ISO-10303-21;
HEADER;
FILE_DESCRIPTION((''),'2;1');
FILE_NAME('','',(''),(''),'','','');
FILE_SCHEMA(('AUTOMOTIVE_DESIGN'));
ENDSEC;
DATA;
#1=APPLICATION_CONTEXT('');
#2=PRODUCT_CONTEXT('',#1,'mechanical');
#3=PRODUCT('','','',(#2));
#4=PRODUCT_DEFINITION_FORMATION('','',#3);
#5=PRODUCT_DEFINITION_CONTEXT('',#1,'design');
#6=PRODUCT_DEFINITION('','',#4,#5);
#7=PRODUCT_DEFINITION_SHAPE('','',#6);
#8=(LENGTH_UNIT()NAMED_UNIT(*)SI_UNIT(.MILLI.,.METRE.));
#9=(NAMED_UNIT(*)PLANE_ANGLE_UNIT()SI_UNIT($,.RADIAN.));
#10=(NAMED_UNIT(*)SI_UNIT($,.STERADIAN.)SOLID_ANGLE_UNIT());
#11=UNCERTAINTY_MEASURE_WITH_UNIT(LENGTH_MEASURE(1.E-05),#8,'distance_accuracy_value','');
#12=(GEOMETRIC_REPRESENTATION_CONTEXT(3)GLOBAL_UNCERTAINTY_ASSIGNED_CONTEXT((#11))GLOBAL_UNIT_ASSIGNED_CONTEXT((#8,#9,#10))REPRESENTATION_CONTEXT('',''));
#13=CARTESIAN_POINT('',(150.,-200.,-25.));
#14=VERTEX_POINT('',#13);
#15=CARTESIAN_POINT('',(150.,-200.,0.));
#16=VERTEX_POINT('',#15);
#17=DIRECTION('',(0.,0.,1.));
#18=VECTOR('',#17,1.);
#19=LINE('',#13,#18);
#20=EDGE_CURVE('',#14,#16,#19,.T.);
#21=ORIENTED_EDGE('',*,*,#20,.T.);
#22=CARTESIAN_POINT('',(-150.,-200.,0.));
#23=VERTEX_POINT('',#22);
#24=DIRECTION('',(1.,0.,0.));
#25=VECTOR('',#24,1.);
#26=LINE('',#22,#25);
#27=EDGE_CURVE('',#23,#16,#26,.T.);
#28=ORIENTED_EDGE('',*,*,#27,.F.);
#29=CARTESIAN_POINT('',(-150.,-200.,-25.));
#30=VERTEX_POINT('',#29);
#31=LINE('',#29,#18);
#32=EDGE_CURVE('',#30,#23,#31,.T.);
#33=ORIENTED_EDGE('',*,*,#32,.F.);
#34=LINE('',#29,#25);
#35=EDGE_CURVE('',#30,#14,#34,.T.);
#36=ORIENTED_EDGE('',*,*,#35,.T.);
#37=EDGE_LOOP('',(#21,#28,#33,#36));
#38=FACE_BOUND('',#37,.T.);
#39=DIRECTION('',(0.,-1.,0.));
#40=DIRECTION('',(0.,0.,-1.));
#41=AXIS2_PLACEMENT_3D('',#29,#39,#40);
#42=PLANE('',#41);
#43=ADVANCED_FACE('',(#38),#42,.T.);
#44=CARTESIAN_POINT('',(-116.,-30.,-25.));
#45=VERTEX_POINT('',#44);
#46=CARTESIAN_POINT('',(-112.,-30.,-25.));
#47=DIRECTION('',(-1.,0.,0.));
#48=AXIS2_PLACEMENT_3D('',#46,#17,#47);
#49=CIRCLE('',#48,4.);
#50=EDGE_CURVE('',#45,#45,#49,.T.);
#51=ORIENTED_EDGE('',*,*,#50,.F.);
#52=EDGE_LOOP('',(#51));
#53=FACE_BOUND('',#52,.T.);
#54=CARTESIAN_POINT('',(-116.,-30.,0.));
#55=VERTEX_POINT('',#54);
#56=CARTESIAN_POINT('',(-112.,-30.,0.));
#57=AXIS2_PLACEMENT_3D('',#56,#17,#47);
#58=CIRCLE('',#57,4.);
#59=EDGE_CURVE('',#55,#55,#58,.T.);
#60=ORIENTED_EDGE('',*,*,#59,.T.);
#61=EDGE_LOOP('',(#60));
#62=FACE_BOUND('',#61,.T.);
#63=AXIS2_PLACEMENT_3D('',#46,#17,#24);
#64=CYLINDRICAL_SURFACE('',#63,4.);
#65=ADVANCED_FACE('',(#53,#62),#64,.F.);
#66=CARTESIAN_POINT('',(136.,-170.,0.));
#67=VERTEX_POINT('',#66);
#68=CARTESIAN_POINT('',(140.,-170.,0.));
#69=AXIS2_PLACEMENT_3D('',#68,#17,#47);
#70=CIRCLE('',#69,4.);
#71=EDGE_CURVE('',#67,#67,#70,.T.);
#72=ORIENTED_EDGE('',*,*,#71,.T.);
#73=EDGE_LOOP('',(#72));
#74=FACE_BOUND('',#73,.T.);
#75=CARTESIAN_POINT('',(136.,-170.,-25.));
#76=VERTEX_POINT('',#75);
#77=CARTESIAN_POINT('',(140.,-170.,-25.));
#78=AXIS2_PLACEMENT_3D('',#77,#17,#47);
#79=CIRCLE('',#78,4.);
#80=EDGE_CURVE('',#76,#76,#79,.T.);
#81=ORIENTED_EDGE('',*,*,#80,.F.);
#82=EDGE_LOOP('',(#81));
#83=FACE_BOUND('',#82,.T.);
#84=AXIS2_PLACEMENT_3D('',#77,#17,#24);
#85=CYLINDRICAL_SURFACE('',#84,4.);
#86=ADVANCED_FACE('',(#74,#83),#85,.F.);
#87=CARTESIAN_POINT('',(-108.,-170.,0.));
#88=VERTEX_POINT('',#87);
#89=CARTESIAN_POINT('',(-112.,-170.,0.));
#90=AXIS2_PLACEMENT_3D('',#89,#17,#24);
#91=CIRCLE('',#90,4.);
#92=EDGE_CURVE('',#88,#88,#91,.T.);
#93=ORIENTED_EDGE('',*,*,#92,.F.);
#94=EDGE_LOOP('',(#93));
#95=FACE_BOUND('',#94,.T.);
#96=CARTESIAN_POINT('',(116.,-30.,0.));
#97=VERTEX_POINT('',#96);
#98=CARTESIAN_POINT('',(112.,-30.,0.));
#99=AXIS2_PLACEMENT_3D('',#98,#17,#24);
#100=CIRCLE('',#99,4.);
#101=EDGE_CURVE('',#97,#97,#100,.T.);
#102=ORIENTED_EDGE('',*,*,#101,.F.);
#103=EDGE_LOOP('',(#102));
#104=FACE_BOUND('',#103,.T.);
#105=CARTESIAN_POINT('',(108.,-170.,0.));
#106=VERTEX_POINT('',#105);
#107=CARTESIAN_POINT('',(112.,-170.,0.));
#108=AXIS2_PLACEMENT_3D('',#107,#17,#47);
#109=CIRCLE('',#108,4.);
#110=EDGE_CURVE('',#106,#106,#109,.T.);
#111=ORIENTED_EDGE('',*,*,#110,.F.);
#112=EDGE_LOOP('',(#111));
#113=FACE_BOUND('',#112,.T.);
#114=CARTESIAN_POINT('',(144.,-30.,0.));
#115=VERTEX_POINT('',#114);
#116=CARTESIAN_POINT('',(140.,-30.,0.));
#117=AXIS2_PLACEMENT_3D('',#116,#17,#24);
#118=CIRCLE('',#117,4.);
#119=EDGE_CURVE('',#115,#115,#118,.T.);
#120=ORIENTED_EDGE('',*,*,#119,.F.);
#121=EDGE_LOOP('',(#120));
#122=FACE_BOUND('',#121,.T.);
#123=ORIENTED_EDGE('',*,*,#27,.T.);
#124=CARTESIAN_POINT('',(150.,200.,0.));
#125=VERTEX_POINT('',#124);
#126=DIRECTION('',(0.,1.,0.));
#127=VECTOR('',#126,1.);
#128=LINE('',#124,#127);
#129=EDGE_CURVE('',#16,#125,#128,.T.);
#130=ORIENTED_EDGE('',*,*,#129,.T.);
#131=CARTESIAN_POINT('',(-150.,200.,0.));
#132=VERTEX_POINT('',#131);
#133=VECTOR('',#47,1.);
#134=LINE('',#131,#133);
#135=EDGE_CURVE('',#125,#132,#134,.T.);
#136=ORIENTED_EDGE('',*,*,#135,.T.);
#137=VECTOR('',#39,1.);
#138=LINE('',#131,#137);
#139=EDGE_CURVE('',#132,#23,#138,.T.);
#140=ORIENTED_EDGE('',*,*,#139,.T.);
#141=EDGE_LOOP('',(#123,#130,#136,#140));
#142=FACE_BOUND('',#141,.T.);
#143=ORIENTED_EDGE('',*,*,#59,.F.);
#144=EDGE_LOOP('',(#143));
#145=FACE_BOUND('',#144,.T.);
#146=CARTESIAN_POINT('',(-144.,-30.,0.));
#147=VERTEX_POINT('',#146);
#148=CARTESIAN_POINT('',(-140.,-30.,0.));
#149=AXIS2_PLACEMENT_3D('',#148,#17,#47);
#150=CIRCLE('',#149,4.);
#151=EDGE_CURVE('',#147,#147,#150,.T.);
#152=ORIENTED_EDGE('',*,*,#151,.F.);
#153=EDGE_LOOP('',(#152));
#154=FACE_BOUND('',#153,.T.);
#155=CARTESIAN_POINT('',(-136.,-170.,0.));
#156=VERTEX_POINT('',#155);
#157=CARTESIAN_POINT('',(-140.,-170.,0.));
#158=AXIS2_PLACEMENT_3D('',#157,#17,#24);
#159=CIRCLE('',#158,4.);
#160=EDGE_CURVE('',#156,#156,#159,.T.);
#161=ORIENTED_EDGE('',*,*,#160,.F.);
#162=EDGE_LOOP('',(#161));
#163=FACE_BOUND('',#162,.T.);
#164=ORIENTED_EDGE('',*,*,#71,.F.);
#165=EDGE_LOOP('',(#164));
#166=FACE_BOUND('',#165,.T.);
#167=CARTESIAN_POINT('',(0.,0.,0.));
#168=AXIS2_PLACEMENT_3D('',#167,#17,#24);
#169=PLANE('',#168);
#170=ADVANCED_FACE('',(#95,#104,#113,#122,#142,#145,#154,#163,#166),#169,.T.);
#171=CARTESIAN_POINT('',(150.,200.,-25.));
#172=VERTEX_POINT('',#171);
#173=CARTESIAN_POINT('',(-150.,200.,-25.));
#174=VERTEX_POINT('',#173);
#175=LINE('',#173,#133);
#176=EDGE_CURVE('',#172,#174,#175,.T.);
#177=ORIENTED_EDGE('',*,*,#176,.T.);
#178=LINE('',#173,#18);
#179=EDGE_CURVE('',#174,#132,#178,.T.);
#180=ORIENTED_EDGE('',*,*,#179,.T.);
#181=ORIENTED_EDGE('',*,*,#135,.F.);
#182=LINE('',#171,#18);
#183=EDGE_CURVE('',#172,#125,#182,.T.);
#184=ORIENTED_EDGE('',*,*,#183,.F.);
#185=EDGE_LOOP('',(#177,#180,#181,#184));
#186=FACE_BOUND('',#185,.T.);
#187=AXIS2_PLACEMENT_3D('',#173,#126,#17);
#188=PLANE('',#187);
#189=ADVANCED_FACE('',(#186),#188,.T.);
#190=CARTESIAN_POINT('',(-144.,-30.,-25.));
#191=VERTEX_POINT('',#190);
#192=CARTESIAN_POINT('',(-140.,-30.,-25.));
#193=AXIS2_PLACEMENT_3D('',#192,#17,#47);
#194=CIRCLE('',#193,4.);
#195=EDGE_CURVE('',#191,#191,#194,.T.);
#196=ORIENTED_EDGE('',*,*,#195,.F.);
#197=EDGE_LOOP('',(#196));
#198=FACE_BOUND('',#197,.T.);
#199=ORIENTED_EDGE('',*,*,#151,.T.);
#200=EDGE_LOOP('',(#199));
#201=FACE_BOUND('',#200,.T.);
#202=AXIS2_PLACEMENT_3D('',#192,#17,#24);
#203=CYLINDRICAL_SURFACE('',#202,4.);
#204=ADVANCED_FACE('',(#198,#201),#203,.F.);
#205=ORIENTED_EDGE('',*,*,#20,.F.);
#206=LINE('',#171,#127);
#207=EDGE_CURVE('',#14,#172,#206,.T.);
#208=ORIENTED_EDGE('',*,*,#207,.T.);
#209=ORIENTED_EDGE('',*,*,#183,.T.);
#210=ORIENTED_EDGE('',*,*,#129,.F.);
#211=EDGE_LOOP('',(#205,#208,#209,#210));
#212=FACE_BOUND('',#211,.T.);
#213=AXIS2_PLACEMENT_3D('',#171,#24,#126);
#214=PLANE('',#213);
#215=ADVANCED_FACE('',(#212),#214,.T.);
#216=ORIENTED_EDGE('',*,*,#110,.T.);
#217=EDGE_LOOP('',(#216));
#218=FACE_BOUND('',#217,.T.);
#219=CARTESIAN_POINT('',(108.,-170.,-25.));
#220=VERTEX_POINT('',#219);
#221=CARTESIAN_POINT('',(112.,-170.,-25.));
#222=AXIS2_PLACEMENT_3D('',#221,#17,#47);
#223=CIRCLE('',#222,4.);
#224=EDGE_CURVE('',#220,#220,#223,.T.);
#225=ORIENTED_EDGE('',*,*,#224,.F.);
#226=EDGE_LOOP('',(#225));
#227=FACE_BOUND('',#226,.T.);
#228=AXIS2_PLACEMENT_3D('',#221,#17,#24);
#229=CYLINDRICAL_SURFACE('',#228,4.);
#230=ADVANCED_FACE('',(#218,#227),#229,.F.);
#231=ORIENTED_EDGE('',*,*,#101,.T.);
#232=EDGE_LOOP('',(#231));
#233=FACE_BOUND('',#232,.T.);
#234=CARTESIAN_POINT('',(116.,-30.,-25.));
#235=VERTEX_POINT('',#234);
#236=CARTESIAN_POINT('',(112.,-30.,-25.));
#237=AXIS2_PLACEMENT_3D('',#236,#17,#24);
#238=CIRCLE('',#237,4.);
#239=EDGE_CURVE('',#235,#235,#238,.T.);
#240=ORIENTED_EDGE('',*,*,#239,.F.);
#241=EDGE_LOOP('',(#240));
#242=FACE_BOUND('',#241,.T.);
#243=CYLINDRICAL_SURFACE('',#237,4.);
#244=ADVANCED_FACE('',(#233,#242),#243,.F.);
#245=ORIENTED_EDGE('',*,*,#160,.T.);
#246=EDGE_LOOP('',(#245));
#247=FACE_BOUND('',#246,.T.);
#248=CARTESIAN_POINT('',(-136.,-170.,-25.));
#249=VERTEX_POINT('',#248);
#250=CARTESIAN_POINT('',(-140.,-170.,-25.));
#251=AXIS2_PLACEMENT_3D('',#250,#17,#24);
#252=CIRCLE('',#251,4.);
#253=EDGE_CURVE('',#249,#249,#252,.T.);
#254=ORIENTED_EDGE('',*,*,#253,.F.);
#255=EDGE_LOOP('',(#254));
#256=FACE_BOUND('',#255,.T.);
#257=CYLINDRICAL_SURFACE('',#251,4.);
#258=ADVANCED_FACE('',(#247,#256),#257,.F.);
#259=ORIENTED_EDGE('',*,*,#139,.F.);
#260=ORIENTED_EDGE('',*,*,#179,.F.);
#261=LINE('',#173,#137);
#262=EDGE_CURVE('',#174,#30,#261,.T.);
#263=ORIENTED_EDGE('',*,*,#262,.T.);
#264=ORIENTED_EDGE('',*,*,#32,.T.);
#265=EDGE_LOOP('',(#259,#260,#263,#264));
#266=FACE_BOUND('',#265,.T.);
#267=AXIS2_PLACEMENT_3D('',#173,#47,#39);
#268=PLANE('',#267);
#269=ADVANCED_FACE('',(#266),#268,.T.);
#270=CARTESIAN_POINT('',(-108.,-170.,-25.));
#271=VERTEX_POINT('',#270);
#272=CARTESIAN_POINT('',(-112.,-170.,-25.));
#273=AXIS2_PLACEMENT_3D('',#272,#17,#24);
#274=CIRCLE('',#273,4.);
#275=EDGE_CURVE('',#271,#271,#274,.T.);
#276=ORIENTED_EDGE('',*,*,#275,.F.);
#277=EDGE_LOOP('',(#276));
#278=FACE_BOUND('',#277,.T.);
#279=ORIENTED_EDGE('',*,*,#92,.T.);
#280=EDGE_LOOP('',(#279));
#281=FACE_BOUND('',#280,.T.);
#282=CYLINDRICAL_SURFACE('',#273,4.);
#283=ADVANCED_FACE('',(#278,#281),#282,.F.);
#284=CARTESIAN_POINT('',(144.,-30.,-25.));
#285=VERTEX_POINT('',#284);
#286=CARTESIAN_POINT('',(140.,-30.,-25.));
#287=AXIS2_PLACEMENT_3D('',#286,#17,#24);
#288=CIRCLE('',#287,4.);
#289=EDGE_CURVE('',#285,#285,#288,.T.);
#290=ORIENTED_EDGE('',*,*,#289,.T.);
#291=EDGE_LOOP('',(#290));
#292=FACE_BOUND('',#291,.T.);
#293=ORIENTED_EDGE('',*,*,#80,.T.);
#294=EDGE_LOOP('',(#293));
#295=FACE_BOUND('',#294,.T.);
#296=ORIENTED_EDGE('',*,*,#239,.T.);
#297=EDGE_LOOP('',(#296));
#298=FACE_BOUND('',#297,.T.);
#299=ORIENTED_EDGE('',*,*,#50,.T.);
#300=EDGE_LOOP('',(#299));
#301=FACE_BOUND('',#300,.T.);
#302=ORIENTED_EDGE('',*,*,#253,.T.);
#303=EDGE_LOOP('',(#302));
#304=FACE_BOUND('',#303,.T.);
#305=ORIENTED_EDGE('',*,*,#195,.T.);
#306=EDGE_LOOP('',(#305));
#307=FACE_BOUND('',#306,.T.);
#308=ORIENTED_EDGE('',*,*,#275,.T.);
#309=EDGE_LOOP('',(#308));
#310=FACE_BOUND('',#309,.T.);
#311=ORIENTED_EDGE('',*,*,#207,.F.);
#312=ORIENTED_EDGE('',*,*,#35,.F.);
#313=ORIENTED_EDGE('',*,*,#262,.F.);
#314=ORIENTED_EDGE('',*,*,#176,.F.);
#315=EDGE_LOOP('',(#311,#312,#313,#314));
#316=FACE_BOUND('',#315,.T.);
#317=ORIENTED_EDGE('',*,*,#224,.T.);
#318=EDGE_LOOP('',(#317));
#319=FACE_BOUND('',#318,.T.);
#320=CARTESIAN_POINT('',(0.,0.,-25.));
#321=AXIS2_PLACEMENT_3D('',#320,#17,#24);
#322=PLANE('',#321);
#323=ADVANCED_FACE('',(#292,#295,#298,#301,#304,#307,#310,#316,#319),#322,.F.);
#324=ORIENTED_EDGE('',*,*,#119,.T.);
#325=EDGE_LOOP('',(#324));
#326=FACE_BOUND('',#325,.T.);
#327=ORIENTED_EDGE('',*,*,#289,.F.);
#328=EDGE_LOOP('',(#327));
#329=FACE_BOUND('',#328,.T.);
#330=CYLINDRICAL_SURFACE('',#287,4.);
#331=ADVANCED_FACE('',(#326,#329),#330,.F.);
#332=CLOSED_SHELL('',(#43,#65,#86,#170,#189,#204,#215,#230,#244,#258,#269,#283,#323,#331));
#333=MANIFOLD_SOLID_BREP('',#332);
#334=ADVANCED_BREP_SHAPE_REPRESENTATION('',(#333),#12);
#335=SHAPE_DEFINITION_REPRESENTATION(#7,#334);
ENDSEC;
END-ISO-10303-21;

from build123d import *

# Parameters (mm, degrees)
SKETCH1_W           = 300
SKETCH1_H           = 400
SKETCH1_R           = 4
BOSS_EXTRUDE1_DEPTH = 25


with BuildPart() as part:
    # Sketch1 → Boss-Extrude1 (new body)
    with BuildSketch(Plane.XY):
        Rectangle(SKETCH1_W, SKETCH1_H)
        with Locations((-112, -170)):
            Circle(SKETCH1_R, mode=Mode.SUBTRACT)
        with Locations((-140, -170)):
            Circle(SKETCH1_R, mode=Mode.SUBTRACT)
        with Locations(Location((112, -170, 0), (0, 0, 180))):
            Circle(SKETCH1_R, mode=Mode.SUBTRACT)
        with Locations(Location((140, -170, 0), (0, 0, 180))):
            Circle(SKETCH1_R, mode=Mode.SUBTRACT)
        with Locations((112, -30)):
            Circle(SKETCH1_R, mode=Mode.SUBTRACT)
        with Locations((140, -30)):
            Circle(SKETCH1_R, mode=Mode.SUBTRACT)
        with Locations(Location((-112, -30, 0), (0, 0, 180))):
            Circle(SKETCH1_R, mode=Mode.SUBTRACT)
        with Locations(Location((-140, -30, 0), (0, 0, 180))):
            Circle(SKETCH1_R, mode=Mode.SUBTRACT)
    extrude(amount=-BOSS_EXTRUDE1_DEPTH)


solid = part.part
